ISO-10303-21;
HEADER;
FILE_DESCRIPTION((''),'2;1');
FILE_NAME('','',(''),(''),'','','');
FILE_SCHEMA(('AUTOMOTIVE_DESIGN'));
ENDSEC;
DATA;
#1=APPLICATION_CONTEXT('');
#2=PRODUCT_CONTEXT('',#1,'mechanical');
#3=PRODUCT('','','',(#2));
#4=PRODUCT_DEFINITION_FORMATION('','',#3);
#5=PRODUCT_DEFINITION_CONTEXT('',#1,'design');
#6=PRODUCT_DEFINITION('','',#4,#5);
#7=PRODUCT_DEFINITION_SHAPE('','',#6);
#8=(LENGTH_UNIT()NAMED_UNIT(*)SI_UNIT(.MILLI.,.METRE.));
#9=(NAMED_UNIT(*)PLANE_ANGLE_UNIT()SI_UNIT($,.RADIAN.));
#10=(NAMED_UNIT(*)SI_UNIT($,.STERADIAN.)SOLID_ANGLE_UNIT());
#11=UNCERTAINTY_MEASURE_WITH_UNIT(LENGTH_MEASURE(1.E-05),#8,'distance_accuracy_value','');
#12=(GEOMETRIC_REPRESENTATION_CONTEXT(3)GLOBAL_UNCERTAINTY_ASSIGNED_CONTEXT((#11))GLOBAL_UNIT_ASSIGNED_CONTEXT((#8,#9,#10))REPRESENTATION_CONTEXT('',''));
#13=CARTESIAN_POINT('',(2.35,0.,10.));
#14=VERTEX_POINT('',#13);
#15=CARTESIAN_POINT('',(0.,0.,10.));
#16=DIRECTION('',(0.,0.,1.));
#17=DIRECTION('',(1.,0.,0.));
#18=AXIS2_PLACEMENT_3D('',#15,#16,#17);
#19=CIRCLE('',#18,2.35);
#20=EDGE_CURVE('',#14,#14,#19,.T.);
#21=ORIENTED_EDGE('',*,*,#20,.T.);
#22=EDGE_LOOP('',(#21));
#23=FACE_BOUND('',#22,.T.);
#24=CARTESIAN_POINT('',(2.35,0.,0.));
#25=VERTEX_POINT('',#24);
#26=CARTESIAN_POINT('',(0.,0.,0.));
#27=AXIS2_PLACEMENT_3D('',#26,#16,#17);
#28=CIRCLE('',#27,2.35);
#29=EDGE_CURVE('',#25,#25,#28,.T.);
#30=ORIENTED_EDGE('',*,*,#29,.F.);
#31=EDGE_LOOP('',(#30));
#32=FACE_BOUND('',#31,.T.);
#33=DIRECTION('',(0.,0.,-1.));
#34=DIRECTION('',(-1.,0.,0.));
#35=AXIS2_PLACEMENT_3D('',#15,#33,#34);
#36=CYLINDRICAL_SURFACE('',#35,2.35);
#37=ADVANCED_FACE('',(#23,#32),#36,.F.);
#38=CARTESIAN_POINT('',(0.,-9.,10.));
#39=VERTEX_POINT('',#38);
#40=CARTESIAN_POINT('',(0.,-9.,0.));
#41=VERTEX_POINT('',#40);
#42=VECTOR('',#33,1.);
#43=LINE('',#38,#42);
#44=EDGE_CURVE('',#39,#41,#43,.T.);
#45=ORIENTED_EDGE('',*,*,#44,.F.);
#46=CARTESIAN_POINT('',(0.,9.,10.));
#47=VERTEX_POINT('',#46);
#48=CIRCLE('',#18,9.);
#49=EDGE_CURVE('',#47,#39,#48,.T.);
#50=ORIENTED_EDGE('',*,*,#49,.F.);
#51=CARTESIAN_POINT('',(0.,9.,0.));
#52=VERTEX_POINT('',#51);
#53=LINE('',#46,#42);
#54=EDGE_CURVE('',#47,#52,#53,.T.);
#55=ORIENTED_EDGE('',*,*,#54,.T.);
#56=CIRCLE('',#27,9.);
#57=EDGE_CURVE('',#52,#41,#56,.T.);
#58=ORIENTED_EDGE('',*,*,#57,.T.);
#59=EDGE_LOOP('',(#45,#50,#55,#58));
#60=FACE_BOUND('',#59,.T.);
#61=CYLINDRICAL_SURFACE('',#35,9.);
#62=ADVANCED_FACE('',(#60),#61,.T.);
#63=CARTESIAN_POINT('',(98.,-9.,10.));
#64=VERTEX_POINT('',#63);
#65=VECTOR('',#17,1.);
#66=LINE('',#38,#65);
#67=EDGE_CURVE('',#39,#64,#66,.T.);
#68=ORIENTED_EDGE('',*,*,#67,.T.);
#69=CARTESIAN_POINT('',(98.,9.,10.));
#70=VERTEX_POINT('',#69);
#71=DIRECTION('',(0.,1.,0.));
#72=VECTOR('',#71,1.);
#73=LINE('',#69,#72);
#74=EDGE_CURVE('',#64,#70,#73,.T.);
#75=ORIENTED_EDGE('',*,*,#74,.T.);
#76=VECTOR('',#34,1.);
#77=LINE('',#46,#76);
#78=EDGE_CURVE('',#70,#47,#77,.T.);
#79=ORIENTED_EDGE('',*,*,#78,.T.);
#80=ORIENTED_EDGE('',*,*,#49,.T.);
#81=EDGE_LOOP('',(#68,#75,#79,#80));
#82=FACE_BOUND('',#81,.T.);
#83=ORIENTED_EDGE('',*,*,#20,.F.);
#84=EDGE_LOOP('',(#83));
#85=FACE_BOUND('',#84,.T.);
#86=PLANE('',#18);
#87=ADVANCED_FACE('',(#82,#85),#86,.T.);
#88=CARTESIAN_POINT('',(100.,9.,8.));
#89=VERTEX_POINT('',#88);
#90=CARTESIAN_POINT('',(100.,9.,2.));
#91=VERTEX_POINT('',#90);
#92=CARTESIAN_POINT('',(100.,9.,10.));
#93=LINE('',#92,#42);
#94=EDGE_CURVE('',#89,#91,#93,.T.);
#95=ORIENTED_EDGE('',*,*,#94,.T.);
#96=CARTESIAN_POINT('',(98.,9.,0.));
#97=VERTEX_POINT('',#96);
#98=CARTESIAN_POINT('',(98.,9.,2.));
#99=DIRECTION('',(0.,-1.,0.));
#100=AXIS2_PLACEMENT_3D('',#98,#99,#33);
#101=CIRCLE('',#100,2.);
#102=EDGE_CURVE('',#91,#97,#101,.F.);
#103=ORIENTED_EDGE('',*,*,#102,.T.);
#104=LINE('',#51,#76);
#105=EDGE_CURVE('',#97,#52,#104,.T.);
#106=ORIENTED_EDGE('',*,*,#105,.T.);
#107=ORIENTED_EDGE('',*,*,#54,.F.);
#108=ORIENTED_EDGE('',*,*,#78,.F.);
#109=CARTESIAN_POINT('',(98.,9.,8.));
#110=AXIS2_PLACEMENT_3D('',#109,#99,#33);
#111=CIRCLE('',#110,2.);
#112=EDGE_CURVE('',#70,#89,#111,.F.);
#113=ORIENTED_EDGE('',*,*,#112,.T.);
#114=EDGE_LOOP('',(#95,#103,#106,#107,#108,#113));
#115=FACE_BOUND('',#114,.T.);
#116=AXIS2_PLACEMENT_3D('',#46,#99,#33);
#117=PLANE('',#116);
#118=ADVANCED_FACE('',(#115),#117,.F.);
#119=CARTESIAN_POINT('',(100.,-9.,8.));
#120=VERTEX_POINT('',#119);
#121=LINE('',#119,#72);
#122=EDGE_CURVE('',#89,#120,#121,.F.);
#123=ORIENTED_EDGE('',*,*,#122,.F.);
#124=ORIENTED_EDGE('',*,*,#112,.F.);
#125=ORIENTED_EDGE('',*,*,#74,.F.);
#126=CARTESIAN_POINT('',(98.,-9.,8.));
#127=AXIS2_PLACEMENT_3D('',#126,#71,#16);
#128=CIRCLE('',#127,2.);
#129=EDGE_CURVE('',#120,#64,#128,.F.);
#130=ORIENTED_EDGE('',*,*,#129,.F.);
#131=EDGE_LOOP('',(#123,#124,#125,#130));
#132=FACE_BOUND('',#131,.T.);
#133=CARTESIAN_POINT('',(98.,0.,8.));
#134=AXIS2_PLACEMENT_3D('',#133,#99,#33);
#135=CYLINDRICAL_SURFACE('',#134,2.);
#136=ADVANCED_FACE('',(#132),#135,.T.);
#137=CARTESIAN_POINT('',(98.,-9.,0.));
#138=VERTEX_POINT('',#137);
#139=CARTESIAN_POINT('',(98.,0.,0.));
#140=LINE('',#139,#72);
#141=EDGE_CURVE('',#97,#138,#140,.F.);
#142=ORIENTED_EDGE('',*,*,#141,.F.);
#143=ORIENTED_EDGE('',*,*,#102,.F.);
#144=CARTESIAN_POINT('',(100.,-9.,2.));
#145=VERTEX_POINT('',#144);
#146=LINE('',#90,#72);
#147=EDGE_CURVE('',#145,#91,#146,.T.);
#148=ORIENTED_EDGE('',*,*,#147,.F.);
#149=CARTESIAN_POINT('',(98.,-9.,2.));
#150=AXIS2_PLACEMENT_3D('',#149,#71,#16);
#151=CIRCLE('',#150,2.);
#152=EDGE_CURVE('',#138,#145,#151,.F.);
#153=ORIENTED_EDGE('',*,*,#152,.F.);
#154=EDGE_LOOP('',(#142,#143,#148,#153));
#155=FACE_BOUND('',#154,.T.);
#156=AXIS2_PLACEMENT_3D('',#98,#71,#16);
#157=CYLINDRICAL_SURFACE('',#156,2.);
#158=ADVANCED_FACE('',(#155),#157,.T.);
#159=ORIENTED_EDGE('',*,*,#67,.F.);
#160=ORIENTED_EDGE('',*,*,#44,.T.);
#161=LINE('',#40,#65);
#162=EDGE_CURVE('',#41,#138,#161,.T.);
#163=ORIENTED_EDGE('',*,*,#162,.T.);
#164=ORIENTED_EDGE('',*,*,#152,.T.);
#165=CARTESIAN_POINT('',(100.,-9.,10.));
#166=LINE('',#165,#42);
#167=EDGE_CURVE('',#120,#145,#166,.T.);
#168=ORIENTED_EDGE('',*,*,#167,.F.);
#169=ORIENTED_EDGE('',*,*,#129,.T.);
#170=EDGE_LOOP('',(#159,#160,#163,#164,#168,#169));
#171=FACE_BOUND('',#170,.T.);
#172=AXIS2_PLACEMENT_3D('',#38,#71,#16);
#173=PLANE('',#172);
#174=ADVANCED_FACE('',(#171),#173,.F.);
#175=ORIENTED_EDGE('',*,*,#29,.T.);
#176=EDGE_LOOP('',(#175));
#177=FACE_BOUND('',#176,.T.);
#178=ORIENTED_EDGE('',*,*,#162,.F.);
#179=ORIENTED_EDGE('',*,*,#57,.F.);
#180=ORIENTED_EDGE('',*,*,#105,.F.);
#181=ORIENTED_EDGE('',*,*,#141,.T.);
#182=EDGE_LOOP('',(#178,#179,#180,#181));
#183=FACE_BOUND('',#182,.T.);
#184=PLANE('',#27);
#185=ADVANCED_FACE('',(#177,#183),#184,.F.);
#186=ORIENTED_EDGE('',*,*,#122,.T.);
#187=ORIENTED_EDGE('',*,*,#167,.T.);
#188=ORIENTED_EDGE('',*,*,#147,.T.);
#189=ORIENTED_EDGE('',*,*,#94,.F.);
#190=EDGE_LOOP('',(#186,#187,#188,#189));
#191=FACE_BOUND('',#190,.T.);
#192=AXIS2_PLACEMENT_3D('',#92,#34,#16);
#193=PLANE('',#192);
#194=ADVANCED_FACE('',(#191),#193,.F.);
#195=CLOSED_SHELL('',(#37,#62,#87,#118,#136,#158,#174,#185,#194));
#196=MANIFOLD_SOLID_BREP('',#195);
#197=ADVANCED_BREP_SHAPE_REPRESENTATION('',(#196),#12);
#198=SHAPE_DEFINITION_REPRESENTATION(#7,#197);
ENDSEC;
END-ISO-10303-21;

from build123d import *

# Parameters (mm, degrees)
ESQUISSE1_R        = 2.35
BOSS_EXTRU_1_DEPTH = 10
CONG_1_R           = 2


with BuildPart() as part:
    # Esquisse1 → Boss.-Extru.1 (new body)
    with BuildSketch(Plane.XY):
        with BuildLine():
            Line((0, 9), (100, 9))
            Line((100, 9), (100, -9))
            Line((100, -9), (0, -9))
            ThreePointArc((0, -9), (-9, 0), (0, 9))
        make_face()
        Circle(ESQUISSE1_R, mode=Mode.SUBTRACT)
    extrude(amount=BOSS_EXTRU_1_DEPTH)

    # Congé1
    cong_1_edges = [part.edges().sort_by_distance(p)[0] for p in [
        (100, 0, 10),
        (100, 0, 0),
    ]]
    fillet(cong_1_edges, radius=CONG_1_R)


solid = part.part
